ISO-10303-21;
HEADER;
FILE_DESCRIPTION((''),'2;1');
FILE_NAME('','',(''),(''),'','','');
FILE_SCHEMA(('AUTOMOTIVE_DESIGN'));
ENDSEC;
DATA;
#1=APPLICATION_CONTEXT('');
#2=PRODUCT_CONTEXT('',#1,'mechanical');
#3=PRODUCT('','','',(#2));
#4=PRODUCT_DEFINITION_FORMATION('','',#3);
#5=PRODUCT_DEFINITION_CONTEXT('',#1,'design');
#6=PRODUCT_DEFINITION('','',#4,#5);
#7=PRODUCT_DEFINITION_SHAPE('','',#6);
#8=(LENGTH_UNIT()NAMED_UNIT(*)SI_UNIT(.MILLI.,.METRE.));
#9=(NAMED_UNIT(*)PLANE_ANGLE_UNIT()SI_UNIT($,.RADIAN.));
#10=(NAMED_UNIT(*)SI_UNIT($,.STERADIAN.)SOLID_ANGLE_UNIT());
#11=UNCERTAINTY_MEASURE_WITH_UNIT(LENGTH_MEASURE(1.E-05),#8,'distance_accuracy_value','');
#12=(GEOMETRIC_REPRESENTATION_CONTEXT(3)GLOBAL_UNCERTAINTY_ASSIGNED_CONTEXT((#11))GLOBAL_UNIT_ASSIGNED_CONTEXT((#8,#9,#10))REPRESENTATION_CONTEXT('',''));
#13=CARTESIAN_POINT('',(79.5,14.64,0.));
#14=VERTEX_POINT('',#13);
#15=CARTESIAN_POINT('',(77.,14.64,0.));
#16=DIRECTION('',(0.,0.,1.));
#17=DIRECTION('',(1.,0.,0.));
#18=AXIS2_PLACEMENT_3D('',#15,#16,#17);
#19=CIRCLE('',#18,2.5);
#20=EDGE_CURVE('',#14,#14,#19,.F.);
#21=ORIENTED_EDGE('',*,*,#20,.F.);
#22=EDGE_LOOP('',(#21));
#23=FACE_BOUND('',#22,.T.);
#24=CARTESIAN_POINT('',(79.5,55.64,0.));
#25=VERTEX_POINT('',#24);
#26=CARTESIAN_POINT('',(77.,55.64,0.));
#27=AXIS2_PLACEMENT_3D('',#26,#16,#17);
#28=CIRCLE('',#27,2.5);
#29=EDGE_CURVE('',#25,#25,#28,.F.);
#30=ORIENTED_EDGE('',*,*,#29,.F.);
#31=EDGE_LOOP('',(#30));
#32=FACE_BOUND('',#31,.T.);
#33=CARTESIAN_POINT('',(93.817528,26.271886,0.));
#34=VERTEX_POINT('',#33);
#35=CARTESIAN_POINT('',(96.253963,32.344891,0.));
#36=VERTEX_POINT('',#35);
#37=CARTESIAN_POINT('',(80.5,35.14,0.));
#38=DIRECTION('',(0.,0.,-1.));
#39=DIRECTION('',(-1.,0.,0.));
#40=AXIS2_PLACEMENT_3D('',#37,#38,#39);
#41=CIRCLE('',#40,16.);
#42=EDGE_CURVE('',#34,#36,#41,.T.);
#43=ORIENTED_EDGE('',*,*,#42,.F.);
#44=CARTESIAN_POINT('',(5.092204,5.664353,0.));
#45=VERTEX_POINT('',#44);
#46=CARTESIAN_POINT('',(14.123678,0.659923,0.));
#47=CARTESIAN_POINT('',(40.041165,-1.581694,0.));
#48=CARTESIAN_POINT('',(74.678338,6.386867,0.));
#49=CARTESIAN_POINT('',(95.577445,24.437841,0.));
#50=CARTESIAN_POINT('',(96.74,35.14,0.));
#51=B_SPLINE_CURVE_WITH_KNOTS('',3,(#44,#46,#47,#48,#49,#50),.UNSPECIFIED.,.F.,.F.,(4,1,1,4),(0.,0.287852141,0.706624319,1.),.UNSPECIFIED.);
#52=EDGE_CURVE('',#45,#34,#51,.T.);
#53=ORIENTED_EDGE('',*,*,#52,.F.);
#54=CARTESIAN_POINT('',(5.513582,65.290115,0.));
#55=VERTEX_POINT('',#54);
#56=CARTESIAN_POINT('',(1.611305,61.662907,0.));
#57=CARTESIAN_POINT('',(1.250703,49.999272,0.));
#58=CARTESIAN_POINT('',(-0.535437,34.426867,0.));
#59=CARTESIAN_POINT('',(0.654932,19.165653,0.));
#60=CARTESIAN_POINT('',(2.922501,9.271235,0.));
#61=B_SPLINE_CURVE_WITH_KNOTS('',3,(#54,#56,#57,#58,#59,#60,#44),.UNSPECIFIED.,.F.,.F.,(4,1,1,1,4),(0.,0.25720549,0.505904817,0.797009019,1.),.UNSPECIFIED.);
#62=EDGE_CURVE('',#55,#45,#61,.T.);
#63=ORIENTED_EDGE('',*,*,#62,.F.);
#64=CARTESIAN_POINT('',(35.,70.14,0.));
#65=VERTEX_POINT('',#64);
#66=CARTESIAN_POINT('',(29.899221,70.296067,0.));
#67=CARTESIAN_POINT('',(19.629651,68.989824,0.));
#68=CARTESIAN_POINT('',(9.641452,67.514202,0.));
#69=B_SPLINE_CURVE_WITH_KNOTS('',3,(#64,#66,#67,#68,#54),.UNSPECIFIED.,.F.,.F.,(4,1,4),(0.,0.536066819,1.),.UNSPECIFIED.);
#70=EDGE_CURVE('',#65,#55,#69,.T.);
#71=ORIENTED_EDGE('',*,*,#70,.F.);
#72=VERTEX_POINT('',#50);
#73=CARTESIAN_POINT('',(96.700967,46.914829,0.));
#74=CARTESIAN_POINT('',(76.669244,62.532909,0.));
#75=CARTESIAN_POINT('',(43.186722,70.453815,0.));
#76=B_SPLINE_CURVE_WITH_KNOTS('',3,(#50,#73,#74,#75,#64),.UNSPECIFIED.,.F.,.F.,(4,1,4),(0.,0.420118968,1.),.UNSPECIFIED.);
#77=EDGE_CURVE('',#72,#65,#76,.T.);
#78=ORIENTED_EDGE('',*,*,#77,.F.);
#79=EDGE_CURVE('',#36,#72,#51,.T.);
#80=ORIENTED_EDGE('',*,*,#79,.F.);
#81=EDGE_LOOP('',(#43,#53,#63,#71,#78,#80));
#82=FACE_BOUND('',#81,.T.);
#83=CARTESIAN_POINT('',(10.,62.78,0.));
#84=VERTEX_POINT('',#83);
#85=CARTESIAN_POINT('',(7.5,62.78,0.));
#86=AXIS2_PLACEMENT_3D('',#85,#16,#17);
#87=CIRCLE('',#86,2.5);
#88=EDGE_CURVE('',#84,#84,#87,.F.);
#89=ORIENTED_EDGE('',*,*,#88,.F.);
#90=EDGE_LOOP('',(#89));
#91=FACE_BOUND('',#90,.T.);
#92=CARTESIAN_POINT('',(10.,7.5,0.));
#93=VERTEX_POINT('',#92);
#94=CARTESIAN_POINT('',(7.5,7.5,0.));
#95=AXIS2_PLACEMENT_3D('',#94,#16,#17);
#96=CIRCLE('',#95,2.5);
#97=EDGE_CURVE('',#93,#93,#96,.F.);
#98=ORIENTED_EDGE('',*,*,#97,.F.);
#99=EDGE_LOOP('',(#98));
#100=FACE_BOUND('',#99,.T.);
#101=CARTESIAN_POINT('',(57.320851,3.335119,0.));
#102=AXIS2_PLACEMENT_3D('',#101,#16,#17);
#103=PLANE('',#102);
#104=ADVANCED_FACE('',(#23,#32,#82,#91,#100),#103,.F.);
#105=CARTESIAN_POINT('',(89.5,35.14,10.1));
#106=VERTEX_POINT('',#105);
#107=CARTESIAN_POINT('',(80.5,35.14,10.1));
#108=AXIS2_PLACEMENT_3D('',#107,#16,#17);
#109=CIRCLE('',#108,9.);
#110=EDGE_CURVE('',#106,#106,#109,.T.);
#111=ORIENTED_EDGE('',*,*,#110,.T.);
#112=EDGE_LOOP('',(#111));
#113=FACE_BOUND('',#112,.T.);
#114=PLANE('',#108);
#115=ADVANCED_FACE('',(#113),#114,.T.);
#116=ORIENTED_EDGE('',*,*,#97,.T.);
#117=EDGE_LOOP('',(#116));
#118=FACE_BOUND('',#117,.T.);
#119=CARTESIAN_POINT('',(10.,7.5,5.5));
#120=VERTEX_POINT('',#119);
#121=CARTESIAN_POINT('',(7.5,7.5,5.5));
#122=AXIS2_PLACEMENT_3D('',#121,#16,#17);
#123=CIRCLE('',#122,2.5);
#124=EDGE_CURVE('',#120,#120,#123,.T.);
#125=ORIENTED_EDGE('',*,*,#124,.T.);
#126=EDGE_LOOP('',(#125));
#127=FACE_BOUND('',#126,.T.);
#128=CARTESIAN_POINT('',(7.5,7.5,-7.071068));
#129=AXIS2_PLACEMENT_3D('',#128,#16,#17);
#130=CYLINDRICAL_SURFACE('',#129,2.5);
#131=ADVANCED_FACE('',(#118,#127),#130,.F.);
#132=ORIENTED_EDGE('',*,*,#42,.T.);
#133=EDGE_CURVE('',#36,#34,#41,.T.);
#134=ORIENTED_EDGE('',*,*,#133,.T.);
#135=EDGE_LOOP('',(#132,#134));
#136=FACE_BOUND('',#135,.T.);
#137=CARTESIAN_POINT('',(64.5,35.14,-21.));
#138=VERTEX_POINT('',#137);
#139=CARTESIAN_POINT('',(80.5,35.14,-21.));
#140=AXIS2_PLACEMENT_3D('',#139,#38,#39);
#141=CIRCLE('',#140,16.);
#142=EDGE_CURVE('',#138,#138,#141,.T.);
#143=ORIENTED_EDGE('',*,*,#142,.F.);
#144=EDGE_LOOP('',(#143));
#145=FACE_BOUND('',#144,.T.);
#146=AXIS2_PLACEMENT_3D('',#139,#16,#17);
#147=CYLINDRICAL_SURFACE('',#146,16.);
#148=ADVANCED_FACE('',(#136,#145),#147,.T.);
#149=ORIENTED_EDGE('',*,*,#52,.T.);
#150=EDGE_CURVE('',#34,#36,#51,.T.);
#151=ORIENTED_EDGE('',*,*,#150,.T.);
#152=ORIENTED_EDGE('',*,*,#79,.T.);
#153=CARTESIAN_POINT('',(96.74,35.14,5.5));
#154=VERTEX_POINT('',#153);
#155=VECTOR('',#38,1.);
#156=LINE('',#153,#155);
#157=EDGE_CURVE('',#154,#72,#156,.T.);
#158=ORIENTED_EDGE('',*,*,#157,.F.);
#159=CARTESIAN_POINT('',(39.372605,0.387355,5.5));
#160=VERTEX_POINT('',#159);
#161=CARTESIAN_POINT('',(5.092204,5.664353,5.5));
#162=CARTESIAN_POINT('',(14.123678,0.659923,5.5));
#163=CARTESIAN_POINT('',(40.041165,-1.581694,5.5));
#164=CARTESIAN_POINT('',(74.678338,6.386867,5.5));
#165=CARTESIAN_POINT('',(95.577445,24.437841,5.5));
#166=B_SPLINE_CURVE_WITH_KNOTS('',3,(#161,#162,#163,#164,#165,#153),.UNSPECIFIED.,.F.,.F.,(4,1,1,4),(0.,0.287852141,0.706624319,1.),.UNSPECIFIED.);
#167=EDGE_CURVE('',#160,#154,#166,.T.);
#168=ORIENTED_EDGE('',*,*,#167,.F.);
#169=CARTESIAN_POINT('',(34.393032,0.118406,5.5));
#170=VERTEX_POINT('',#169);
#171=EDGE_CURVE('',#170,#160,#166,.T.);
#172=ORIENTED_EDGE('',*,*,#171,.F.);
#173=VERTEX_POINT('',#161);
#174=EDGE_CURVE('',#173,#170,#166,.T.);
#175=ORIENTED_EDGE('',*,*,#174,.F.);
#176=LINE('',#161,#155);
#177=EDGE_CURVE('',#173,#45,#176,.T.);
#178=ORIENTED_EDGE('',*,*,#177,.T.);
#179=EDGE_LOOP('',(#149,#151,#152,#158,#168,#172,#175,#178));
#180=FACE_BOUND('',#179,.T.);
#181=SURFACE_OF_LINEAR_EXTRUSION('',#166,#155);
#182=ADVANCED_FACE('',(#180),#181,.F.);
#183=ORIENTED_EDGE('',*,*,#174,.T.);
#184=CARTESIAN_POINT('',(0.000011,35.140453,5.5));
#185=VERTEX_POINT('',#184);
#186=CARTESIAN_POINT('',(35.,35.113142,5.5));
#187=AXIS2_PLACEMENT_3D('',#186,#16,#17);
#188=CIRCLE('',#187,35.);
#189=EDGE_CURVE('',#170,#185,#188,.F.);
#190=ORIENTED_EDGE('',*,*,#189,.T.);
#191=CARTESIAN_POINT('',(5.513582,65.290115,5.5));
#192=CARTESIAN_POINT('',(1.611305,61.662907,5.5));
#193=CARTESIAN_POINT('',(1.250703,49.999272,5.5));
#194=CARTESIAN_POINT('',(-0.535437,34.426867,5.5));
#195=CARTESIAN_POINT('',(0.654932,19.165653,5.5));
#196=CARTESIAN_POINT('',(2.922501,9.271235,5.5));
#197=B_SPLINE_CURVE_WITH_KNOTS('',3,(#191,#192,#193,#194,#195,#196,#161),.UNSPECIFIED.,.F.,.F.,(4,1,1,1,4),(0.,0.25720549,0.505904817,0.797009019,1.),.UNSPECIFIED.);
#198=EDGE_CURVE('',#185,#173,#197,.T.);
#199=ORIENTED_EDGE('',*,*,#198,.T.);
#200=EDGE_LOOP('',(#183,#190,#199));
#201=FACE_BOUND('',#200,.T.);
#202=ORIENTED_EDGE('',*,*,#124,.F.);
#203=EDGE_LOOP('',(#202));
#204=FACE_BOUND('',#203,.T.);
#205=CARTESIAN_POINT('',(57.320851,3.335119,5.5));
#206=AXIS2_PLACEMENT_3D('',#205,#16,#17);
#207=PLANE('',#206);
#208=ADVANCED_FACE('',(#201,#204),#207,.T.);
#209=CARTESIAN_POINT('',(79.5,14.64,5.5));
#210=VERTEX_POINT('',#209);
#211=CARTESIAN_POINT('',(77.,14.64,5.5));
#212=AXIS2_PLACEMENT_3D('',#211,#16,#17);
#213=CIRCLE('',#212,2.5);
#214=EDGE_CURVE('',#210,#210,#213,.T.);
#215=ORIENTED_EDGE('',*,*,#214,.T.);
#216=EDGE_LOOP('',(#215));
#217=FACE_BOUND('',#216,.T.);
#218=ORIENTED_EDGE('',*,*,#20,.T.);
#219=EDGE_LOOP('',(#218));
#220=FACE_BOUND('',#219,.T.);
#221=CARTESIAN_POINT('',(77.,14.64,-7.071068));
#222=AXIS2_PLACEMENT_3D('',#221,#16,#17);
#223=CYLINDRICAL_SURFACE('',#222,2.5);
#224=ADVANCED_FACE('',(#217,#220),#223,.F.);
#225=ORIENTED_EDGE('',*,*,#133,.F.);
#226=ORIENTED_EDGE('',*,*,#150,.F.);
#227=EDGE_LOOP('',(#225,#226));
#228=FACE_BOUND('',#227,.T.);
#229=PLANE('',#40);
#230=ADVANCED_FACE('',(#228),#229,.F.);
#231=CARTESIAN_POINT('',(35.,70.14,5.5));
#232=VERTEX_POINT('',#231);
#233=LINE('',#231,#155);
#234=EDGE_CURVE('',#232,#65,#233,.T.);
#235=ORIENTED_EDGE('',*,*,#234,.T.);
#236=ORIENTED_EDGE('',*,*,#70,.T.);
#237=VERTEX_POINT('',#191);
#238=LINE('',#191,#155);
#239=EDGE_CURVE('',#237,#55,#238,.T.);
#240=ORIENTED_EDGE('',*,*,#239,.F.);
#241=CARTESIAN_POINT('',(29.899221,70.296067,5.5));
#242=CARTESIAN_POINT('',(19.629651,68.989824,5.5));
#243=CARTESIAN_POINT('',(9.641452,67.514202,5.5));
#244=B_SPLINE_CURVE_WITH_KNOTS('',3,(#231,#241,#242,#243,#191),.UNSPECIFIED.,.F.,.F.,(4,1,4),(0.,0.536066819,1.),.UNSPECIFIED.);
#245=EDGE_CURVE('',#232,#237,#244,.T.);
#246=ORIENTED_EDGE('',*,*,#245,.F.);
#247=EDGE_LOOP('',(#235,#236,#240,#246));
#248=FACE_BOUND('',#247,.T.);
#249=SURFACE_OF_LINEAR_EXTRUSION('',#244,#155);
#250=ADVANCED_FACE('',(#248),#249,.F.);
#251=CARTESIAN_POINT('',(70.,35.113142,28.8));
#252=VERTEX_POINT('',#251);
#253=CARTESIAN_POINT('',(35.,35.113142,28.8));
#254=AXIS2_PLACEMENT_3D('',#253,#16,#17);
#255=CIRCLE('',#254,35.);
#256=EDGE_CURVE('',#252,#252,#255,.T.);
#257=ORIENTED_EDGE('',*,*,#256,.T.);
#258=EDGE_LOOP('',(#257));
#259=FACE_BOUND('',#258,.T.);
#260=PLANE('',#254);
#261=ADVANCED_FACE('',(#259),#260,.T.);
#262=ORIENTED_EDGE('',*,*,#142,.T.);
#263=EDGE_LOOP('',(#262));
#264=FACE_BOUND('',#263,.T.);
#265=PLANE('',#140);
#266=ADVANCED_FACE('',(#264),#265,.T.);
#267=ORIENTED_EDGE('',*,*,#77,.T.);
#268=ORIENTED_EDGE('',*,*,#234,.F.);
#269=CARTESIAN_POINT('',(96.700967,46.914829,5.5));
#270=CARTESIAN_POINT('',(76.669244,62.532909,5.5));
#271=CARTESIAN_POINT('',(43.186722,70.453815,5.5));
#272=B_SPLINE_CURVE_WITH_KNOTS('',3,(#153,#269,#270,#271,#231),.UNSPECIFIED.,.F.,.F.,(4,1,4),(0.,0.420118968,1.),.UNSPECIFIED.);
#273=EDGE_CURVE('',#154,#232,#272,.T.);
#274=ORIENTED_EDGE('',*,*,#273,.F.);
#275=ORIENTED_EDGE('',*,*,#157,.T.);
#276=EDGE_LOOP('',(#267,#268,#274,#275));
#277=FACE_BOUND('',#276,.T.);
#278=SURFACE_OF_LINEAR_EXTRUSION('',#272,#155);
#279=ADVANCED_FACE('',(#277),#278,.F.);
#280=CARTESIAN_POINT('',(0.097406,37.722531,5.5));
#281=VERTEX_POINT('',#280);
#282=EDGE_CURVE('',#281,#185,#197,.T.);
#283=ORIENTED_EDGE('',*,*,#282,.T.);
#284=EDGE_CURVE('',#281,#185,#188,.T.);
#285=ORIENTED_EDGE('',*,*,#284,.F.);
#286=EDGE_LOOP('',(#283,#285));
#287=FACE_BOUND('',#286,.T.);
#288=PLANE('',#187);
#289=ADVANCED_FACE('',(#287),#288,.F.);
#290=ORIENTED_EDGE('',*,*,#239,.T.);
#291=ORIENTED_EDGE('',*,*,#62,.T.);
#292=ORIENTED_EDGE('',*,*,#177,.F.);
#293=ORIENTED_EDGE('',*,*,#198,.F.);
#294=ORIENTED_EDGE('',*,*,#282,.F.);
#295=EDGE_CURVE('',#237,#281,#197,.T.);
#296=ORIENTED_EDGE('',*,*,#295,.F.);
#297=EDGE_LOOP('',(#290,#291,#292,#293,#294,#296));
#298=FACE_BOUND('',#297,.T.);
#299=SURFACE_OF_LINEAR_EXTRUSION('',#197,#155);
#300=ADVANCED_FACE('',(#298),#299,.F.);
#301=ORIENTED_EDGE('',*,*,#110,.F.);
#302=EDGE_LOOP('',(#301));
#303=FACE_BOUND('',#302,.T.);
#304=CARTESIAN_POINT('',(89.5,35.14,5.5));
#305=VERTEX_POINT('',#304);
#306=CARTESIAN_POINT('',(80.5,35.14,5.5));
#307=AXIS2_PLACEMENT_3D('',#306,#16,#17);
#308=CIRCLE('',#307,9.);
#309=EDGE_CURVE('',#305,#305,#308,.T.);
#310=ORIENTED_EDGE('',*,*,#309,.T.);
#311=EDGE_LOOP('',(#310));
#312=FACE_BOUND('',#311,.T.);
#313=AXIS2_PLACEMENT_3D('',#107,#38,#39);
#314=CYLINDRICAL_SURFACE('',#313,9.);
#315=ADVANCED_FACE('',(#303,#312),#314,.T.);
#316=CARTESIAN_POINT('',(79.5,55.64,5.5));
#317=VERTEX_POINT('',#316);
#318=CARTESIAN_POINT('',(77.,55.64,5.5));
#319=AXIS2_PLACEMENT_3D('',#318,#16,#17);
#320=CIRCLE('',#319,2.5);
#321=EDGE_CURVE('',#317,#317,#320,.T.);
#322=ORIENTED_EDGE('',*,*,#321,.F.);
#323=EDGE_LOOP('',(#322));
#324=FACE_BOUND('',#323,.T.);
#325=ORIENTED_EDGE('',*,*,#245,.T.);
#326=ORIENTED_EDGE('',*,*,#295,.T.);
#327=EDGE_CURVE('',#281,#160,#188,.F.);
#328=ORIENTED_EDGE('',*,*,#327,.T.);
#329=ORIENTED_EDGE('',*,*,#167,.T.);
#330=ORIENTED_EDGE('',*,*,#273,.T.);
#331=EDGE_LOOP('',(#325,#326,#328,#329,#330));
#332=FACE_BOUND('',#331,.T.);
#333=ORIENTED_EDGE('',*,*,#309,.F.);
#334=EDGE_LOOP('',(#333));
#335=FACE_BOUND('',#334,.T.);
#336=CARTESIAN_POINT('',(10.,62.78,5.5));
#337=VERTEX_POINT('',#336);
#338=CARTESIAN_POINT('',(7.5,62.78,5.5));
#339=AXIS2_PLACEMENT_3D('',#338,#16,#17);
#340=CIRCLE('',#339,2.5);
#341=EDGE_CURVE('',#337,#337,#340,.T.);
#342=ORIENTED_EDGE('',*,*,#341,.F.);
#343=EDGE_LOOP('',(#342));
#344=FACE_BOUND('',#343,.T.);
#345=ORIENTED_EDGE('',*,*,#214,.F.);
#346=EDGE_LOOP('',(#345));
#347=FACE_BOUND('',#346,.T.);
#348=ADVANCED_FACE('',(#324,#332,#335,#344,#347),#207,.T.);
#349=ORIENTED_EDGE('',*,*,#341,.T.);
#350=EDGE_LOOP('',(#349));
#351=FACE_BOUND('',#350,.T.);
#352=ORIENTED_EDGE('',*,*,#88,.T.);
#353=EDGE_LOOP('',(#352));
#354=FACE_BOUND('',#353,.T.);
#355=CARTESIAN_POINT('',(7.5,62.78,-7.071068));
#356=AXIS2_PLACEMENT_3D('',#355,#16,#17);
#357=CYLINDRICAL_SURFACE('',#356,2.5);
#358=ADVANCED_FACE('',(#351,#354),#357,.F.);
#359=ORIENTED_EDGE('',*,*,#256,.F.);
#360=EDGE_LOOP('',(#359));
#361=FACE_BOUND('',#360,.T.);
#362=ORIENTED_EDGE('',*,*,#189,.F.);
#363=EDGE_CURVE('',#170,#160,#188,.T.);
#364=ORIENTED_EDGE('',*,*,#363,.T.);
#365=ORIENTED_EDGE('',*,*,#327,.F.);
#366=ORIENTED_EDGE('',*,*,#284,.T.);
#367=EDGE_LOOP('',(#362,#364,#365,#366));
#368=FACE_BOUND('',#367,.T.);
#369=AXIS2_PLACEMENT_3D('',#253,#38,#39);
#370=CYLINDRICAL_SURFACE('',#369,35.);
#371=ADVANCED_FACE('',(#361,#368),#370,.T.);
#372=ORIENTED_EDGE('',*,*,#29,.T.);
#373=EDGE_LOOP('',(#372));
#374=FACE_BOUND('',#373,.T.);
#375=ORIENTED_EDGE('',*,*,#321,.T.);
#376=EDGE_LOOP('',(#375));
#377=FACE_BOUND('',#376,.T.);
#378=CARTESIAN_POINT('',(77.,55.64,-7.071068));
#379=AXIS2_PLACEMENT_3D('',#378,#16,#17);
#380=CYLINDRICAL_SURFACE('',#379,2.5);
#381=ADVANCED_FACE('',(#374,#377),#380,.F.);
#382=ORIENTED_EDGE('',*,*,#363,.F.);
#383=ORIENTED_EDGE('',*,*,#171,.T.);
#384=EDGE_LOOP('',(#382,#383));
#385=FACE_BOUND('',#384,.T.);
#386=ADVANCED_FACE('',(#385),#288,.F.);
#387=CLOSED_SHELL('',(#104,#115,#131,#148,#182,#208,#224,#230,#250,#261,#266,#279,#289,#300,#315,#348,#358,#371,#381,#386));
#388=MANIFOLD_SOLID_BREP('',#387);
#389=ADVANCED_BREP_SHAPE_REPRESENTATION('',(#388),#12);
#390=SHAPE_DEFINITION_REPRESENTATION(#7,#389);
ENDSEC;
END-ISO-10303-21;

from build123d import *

# Parameters (mm, degrees)
BOSS_EXTRU_1_DEPTH      = 5.5
ESQUISSE3_R             = 2.5
ENL_V_MAT_EXTRU_1_DEPTH = 5.5
ESQUISSE4_R             = 9
BOSS_EXTRU_3_DEPTH      = 4.6
ESQUISSE2_R             = 35
BOSS_EXTRU_2_DEPTH      = 23.3
ESQUISSE5_R             = 16
BOSS_EXTRU_4_DEPTH      = 21


with BuildPart() as part:
    # Esquisse1 → Boss.-Extru.1 (new body)
    with BuildSketch(Plane.XY):
        with BuildLine():
            add(Edge.make_bspline(
                [(96.74, 35.14), (96.700966604, 46.914828886), (76.669243873, 62.532909125), (43.186721807, 70.453815297), (35, 70.14)],
                knots=[0, 0, 0, 0, 0.420118968, 1, 1, 1, 1], degree=3))
            add(Edge.make_bspline(
                [(35, 70.14), (29.89922146, 70.296066514), (19.629650744, 68.989823621), (9.641451794, 67.514202382), (5.51358225, 65.29011499)],
                knots=[0, 0, 0, 0, 0.536066819, 1, 1, 1, 1], degree=3))
            add(Edge.make_bspline(
                [(5.51358225, 65.29011499), (1.61130463, 61.662907457), (1.250702971, 49.999272028), (-0.535437112, 34.426866806), (0.654932347, 19.165653112), (2.922501297, 9.271234675), (5.092204, 5.66435325)],
                knots=[0, 0, 0, 0, 0.25720549, 0.505904817, 0.797009019, 1, 1, 1, 1], degree=3))
            add(Edge.make_bspline(
                [(96.74, 35.14), (95.57744451, 24.437841166), (74.678338114, 6.386866594), (40.041164519, -1.581693557), (14.123677955, 0.659923037), (5.092204, 5.66435325)],
                knots=[0, 0, 0, 0, 0.293375681, 0.712147859, 1, 1, 1, 1], degree=3))
        make_face()
    extrude(amount=BOSS_EXTRU_1_DEPTH)

    # Esquisse3 → Enlèv. mat.-Extru.1 (cut)
    with BuildSketch(Plane.XY.offset(5.5)):
        with Locations((7.5, 62.78)):
            Circle(ESQUISSE3_R)
        with Locations((7.5, 7.5)):
            Circle(ESQUISSE3_R)
        with Locations((77, 14.64)):
            Circle(ESQUISSE3_R)
        with Locations((77, 55.64)):
            Circle(ESQUISSE3_R)
    extrude(amount=-ENL_V_MAT_EXTRU_1_DEPTH, mode=Mode.SUBTRACT)

    # Esquisse4 → Boss.-Extru.3 (add)
    with BuildSketch(Plane.XY.offset(5.5)):
        with Locations((80.5, 35.14)):
            Circle(ESQUISSE4_R)
    extrude(amount=BOSS_EXTRU_3_DEPTH)

    # Esquisse2 → Boss.-Extru.2 (add)
    with BuildSketch(Plane.XY.offset(5.5)):
        with Locations(Location((35, 35.113142172, 0), (0, 0, 179.955291193))):
            Circle(ESQUISSE2_R)
    extrude(amount=BOSS_EXTRU_2_DEPTH)

    # Esquisse5 → Boss.-Extru.4 (add)
    with BuildSketch(Plane(origin=(0, 0, 0), x_dir=(-1, 0, 0), z_dir=(0, 0, -1))):
        with Locations(Location((-80.5, 35.14, 0), (0, 0, 190.060871127))):
            Circle(ESQUISSE5_R)
    extrude(amount=BOSS_EXTRU_4_DEPTH)


solid = part.part
